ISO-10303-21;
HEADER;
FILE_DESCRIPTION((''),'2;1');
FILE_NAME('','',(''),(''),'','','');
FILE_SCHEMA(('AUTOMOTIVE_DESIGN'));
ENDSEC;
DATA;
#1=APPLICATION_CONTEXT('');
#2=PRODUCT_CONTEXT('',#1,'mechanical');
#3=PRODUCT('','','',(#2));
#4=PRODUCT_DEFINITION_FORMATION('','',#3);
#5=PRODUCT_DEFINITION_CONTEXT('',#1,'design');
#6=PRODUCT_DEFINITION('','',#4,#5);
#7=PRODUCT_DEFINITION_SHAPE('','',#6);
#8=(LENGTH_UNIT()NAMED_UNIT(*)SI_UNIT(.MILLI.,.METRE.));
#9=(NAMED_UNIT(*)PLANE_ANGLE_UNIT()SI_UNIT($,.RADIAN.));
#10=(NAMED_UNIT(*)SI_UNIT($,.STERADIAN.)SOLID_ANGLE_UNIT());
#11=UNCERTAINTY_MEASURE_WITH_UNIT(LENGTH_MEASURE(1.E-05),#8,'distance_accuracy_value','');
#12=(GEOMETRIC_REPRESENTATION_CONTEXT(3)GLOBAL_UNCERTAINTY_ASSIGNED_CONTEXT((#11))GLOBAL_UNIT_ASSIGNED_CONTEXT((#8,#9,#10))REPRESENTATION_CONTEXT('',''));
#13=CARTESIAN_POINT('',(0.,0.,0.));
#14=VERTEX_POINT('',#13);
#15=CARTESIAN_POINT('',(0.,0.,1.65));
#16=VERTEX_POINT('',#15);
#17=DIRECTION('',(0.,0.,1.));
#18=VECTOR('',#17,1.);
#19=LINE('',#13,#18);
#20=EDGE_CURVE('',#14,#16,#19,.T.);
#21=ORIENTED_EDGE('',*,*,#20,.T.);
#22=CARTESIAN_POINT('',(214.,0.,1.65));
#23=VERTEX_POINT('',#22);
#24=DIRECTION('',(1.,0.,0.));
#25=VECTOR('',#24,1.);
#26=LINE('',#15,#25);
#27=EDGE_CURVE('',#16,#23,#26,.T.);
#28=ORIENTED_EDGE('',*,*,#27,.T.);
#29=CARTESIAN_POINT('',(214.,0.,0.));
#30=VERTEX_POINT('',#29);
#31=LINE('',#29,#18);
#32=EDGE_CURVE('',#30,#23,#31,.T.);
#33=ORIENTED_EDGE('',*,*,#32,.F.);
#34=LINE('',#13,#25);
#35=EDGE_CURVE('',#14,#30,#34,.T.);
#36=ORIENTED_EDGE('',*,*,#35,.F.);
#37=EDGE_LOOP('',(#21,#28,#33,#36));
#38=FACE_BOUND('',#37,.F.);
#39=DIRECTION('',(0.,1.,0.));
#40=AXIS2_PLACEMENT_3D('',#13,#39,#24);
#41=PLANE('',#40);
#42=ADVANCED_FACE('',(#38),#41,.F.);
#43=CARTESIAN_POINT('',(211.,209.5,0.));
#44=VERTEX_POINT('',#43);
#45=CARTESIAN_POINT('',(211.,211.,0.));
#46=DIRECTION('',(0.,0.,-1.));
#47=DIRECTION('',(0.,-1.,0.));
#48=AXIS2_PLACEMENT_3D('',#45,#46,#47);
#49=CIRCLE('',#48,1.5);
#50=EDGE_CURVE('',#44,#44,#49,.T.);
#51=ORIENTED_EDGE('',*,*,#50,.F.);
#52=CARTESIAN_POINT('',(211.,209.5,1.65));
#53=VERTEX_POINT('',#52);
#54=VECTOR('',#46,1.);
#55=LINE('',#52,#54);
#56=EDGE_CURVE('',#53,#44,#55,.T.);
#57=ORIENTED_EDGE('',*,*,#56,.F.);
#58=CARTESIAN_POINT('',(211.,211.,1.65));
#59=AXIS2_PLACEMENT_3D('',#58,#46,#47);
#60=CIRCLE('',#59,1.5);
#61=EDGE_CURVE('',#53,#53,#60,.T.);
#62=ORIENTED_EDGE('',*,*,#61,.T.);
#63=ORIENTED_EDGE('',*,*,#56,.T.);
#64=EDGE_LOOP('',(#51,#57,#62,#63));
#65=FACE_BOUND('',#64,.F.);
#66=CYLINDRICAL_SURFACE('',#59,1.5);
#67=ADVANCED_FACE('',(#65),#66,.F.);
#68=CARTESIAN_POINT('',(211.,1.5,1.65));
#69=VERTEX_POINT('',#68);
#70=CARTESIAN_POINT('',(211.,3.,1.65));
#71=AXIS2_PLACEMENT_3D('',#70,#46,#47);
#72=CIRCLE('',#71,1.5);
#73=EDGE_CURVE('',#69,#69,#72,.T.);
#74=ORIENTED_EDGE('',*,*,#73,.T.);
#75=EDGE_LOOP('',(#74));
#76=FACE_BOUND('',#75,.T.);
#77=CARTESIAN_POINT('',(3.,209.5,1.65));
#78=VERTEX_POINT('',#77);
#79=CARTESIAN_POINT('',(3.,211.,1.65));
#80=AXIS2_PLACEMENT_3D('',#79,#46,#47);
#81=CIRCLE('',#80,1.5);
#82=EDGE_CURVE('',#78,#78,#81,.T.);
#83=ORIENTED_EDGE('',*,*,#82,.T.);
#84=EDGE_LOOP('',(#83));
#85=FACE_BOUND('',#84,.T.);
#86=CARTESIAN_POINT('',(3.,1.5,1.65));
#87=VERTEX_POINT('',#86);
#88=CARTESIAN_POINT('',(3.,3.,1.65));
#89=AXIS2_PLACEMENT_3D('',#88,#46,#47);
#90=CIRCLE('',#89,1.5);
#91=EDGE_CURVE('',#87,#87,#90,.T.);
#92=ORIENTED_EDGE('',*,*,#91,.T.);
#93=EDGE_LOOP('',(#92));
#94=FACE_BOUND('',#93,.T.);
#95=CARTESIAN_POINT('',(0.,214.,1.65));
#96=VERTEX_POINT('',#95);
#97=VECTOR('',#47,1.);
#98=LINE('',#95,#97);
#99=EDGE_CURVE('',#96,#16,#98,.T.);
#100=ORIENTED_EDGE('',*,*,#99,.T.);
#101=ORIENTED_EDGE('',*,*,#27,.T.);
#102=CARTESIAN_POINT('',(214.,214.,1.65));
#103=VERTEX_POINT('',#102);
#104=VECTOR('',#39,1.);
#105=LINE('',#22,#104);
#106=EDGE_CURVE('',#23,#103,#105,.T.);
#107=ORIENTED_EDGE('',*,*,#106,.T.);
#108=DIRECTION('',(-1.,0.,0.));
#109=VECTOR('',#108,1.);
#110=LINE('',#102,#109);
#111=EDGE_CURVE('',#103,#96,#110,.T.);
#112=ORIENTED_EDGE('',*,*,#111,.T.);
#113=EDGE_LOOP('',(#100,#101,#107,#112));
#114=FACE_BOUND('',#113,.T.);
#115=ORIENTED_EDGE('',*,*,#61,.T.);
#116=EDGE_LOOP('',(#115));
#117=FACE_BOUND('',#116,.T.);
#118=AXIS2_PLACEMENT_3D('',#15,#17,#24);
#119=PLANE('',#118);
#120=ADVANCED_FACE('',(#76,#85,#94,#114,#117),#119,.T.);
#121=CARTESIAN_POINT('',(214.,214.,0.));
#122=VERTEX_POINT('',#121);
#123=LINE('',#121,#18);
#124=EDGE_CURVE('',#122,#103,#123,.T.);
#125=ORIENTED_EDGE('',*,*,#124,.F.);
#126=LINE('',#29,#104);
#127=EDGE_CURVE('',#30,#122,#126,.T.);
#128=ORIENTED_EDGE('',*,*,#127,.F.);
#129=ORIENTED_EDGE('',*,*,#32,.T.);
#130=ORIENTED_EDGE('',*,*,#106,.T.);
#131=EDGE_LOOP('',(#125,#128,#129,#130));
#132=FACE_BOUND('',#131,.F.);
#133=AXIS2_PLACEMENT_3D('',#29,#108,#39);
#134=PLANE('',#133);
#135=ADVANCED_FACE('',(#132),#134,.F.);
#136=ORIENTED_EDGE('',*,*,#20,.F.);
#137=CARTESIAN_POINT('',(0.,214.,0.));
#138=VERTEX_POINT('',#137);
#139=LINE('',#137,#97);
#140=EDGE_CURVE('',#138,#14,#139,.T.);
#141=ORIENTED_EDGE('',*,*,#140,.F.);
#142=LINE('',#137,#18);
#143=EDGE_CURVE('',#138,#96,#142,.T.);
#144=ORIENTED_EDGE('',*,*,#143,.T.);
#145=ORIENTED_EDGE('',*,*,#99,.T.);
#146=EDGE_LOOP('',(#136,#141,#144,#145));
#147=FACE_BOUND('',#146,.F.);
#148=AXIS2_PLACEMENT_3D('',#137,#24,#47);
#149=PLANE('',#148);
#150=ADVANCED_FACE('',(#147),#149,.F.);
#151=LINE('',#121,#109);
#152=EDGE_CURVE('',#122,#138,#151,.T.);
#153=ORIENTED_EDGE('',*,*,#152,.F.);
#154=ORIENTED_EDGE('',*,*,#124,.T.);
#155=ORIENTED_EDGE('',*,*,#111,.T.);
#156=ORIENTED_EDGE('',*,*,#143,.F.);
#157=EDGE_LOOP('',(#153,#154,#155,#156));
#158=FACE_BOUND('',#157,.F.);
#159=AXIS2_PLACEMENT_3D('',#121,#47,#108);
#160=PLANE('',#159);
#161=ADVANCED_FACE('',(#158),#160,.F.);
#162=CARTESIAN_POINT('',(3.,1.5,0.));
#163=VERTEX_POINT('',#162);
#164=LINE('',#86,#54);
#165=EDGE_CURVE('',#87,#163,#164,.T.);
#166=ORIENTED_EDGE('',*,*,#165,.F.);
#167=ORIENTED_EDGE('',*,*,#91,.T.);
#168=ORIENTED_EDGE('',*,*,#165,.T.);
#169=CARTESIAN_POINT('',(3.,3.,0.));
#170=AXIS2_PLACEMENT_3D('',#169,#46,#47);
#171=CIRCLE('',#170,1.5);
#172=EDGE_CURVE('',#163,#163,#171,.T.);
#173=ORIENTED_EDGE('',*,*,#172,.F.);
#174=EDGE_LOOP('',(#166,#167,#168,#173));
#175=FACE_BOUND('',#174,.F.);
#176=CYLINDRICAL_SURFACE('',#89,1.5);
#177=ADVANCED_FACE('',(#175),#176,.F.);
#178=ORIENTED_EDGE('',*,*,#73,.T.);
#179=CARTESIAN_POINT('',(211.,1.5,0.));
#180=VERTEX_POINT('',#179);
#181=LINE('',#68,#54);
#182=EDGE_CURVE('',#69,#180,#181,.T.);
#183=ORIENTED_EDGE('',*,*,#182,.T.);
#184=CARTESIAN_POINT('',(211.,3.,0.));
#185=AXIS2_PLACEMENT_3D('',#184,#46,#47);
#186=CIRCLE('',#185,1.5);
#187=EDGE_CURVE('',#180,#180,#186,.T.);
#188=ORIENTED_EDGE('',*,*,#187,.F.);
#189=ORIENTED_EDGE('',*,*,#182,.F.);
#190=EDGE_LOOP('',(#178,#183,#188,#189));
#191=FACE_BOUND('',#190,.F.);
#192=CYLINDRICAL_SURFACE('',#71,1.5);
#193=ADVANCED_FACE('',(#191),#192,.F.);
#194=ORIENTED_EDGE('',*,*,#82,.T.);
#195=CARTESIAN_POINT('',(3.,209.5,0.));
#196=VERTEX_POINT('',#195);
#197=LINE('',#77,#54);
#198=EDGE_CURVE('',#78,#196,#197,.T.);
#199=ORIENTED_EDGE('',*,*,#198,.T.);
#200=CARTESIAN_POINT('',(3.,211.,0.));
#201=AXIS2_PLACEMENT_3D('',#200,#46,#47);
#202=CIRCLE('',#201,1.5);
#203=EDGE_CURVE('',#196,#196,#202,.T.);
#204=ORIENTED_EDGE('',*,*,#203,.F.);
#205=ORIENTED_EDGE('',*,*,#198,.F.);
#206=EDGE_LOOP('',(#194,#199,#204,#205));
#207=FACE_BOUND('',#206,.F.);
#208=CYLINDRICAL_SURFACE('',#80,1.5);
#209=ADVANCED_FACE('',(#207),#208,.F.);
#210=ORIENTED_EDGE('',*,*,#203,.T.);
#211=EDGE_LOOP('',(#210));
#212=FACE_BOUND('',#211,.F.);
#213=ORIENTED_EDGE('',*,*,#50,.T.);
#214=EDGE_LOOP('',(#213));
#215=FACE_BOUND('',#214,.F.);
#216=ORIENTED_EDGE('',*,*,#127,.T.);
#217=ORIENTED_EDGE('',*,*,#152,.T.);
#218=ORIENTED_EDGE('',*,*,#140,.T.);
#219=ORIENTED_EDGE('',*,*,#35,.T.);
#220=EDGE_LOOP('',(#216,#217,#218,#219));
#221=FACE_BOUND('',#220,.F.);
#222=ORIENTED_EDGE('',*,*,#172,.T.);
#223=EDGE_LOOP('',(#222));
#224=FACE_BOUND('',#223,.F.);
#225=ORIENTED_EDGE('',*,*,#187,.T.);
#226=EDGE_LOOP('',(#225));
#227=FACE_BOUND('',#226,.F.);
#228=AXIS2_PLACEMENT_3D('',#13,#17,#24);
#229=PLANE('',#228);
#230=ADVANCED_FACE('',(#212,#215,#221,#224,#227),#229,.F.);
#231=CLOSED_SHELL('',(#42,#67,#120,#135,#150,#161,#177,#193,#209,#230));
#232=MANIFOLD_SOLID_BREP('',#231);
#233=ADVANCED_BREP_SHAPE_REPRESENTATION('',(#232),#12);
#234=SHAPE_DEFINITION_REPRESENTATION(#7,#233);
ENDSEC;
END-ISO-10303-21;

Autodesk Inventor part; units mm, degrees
ref_plane "YZ Plane" through (0, 0, 0) normal (1, 0, 0) x (0, 1, 0)
ref_plane "XZ Plane" through (0, 0, 0) normal (0, 1, 0) x (-1, 0, 0)
ref_plane "XY Plane" through (0, 0, 0) normal (0, 0, 1) x (1, 0, 0)
sketch "Sketch3" plane through (0, 0, 0) normal (0, 0, 1) x (1, 0, 0)
  line L0 (0, 0) -> (214, 0)
  line L1 (214, 0) -> (214, 214)
  line L2 (214, 214) -> (0, 214)
  line L3 (0, 214) -> (0, 0)
  dimension "d2" = 214
  dimension "d3" = 214
extrude "Extrusion1" add sketch "Sketch3" along normal blind 1.65
sketch "Sketch4" plane through (0, 0, 1.65) normal (0, 0, 1) x (1, 0, 0)
  line L0 (0.5008, 209.7083) -> (213.5162, 209.7083)
  line L1 (213.5162, 209.7083) -> (213.5162, 5.2135)
  line L2 (213.5162, 5.2135) -> (0.5008, 5.2135)
  line L3 (0.5008, 5.2135) -> (0.5008, 209.7083)
sketch "Sketch5" plane through (0, 0, 1.65) normal (0, 0, 1) x (1, 0, 0)
  line L0 (214, 214) -> (0, 214) projected
  line L1 (0, 214) -> (0, 0) projected
  line L2 (214, 0) -> (214, 214) projected
  line L3 (0, 0) -> (214, 0) projected
  point P0 (3, 3)
  point P1 (211, 3)
  point P2 (211, 211)
  point P3 (3, 211)
  dimension "d41" = 3
  dimension "d42" = 3
  dimension "d43" = 3
  dimension "d44" = 3
  dimension "d45" = 3
  dimension "d46" = 3
  dimension "d47" = 3
  dimension "d48" = 3
hole "Hole1" at (3, 211, 1.65) at (3, 3, 1.65) at (211, 3, 1.65) at (211, 211, 1.65) direction (0, 0, -1) diameter 3 depth 25.4 tip angle 118
properties part number "200x200 RepRap Heated Bed"
